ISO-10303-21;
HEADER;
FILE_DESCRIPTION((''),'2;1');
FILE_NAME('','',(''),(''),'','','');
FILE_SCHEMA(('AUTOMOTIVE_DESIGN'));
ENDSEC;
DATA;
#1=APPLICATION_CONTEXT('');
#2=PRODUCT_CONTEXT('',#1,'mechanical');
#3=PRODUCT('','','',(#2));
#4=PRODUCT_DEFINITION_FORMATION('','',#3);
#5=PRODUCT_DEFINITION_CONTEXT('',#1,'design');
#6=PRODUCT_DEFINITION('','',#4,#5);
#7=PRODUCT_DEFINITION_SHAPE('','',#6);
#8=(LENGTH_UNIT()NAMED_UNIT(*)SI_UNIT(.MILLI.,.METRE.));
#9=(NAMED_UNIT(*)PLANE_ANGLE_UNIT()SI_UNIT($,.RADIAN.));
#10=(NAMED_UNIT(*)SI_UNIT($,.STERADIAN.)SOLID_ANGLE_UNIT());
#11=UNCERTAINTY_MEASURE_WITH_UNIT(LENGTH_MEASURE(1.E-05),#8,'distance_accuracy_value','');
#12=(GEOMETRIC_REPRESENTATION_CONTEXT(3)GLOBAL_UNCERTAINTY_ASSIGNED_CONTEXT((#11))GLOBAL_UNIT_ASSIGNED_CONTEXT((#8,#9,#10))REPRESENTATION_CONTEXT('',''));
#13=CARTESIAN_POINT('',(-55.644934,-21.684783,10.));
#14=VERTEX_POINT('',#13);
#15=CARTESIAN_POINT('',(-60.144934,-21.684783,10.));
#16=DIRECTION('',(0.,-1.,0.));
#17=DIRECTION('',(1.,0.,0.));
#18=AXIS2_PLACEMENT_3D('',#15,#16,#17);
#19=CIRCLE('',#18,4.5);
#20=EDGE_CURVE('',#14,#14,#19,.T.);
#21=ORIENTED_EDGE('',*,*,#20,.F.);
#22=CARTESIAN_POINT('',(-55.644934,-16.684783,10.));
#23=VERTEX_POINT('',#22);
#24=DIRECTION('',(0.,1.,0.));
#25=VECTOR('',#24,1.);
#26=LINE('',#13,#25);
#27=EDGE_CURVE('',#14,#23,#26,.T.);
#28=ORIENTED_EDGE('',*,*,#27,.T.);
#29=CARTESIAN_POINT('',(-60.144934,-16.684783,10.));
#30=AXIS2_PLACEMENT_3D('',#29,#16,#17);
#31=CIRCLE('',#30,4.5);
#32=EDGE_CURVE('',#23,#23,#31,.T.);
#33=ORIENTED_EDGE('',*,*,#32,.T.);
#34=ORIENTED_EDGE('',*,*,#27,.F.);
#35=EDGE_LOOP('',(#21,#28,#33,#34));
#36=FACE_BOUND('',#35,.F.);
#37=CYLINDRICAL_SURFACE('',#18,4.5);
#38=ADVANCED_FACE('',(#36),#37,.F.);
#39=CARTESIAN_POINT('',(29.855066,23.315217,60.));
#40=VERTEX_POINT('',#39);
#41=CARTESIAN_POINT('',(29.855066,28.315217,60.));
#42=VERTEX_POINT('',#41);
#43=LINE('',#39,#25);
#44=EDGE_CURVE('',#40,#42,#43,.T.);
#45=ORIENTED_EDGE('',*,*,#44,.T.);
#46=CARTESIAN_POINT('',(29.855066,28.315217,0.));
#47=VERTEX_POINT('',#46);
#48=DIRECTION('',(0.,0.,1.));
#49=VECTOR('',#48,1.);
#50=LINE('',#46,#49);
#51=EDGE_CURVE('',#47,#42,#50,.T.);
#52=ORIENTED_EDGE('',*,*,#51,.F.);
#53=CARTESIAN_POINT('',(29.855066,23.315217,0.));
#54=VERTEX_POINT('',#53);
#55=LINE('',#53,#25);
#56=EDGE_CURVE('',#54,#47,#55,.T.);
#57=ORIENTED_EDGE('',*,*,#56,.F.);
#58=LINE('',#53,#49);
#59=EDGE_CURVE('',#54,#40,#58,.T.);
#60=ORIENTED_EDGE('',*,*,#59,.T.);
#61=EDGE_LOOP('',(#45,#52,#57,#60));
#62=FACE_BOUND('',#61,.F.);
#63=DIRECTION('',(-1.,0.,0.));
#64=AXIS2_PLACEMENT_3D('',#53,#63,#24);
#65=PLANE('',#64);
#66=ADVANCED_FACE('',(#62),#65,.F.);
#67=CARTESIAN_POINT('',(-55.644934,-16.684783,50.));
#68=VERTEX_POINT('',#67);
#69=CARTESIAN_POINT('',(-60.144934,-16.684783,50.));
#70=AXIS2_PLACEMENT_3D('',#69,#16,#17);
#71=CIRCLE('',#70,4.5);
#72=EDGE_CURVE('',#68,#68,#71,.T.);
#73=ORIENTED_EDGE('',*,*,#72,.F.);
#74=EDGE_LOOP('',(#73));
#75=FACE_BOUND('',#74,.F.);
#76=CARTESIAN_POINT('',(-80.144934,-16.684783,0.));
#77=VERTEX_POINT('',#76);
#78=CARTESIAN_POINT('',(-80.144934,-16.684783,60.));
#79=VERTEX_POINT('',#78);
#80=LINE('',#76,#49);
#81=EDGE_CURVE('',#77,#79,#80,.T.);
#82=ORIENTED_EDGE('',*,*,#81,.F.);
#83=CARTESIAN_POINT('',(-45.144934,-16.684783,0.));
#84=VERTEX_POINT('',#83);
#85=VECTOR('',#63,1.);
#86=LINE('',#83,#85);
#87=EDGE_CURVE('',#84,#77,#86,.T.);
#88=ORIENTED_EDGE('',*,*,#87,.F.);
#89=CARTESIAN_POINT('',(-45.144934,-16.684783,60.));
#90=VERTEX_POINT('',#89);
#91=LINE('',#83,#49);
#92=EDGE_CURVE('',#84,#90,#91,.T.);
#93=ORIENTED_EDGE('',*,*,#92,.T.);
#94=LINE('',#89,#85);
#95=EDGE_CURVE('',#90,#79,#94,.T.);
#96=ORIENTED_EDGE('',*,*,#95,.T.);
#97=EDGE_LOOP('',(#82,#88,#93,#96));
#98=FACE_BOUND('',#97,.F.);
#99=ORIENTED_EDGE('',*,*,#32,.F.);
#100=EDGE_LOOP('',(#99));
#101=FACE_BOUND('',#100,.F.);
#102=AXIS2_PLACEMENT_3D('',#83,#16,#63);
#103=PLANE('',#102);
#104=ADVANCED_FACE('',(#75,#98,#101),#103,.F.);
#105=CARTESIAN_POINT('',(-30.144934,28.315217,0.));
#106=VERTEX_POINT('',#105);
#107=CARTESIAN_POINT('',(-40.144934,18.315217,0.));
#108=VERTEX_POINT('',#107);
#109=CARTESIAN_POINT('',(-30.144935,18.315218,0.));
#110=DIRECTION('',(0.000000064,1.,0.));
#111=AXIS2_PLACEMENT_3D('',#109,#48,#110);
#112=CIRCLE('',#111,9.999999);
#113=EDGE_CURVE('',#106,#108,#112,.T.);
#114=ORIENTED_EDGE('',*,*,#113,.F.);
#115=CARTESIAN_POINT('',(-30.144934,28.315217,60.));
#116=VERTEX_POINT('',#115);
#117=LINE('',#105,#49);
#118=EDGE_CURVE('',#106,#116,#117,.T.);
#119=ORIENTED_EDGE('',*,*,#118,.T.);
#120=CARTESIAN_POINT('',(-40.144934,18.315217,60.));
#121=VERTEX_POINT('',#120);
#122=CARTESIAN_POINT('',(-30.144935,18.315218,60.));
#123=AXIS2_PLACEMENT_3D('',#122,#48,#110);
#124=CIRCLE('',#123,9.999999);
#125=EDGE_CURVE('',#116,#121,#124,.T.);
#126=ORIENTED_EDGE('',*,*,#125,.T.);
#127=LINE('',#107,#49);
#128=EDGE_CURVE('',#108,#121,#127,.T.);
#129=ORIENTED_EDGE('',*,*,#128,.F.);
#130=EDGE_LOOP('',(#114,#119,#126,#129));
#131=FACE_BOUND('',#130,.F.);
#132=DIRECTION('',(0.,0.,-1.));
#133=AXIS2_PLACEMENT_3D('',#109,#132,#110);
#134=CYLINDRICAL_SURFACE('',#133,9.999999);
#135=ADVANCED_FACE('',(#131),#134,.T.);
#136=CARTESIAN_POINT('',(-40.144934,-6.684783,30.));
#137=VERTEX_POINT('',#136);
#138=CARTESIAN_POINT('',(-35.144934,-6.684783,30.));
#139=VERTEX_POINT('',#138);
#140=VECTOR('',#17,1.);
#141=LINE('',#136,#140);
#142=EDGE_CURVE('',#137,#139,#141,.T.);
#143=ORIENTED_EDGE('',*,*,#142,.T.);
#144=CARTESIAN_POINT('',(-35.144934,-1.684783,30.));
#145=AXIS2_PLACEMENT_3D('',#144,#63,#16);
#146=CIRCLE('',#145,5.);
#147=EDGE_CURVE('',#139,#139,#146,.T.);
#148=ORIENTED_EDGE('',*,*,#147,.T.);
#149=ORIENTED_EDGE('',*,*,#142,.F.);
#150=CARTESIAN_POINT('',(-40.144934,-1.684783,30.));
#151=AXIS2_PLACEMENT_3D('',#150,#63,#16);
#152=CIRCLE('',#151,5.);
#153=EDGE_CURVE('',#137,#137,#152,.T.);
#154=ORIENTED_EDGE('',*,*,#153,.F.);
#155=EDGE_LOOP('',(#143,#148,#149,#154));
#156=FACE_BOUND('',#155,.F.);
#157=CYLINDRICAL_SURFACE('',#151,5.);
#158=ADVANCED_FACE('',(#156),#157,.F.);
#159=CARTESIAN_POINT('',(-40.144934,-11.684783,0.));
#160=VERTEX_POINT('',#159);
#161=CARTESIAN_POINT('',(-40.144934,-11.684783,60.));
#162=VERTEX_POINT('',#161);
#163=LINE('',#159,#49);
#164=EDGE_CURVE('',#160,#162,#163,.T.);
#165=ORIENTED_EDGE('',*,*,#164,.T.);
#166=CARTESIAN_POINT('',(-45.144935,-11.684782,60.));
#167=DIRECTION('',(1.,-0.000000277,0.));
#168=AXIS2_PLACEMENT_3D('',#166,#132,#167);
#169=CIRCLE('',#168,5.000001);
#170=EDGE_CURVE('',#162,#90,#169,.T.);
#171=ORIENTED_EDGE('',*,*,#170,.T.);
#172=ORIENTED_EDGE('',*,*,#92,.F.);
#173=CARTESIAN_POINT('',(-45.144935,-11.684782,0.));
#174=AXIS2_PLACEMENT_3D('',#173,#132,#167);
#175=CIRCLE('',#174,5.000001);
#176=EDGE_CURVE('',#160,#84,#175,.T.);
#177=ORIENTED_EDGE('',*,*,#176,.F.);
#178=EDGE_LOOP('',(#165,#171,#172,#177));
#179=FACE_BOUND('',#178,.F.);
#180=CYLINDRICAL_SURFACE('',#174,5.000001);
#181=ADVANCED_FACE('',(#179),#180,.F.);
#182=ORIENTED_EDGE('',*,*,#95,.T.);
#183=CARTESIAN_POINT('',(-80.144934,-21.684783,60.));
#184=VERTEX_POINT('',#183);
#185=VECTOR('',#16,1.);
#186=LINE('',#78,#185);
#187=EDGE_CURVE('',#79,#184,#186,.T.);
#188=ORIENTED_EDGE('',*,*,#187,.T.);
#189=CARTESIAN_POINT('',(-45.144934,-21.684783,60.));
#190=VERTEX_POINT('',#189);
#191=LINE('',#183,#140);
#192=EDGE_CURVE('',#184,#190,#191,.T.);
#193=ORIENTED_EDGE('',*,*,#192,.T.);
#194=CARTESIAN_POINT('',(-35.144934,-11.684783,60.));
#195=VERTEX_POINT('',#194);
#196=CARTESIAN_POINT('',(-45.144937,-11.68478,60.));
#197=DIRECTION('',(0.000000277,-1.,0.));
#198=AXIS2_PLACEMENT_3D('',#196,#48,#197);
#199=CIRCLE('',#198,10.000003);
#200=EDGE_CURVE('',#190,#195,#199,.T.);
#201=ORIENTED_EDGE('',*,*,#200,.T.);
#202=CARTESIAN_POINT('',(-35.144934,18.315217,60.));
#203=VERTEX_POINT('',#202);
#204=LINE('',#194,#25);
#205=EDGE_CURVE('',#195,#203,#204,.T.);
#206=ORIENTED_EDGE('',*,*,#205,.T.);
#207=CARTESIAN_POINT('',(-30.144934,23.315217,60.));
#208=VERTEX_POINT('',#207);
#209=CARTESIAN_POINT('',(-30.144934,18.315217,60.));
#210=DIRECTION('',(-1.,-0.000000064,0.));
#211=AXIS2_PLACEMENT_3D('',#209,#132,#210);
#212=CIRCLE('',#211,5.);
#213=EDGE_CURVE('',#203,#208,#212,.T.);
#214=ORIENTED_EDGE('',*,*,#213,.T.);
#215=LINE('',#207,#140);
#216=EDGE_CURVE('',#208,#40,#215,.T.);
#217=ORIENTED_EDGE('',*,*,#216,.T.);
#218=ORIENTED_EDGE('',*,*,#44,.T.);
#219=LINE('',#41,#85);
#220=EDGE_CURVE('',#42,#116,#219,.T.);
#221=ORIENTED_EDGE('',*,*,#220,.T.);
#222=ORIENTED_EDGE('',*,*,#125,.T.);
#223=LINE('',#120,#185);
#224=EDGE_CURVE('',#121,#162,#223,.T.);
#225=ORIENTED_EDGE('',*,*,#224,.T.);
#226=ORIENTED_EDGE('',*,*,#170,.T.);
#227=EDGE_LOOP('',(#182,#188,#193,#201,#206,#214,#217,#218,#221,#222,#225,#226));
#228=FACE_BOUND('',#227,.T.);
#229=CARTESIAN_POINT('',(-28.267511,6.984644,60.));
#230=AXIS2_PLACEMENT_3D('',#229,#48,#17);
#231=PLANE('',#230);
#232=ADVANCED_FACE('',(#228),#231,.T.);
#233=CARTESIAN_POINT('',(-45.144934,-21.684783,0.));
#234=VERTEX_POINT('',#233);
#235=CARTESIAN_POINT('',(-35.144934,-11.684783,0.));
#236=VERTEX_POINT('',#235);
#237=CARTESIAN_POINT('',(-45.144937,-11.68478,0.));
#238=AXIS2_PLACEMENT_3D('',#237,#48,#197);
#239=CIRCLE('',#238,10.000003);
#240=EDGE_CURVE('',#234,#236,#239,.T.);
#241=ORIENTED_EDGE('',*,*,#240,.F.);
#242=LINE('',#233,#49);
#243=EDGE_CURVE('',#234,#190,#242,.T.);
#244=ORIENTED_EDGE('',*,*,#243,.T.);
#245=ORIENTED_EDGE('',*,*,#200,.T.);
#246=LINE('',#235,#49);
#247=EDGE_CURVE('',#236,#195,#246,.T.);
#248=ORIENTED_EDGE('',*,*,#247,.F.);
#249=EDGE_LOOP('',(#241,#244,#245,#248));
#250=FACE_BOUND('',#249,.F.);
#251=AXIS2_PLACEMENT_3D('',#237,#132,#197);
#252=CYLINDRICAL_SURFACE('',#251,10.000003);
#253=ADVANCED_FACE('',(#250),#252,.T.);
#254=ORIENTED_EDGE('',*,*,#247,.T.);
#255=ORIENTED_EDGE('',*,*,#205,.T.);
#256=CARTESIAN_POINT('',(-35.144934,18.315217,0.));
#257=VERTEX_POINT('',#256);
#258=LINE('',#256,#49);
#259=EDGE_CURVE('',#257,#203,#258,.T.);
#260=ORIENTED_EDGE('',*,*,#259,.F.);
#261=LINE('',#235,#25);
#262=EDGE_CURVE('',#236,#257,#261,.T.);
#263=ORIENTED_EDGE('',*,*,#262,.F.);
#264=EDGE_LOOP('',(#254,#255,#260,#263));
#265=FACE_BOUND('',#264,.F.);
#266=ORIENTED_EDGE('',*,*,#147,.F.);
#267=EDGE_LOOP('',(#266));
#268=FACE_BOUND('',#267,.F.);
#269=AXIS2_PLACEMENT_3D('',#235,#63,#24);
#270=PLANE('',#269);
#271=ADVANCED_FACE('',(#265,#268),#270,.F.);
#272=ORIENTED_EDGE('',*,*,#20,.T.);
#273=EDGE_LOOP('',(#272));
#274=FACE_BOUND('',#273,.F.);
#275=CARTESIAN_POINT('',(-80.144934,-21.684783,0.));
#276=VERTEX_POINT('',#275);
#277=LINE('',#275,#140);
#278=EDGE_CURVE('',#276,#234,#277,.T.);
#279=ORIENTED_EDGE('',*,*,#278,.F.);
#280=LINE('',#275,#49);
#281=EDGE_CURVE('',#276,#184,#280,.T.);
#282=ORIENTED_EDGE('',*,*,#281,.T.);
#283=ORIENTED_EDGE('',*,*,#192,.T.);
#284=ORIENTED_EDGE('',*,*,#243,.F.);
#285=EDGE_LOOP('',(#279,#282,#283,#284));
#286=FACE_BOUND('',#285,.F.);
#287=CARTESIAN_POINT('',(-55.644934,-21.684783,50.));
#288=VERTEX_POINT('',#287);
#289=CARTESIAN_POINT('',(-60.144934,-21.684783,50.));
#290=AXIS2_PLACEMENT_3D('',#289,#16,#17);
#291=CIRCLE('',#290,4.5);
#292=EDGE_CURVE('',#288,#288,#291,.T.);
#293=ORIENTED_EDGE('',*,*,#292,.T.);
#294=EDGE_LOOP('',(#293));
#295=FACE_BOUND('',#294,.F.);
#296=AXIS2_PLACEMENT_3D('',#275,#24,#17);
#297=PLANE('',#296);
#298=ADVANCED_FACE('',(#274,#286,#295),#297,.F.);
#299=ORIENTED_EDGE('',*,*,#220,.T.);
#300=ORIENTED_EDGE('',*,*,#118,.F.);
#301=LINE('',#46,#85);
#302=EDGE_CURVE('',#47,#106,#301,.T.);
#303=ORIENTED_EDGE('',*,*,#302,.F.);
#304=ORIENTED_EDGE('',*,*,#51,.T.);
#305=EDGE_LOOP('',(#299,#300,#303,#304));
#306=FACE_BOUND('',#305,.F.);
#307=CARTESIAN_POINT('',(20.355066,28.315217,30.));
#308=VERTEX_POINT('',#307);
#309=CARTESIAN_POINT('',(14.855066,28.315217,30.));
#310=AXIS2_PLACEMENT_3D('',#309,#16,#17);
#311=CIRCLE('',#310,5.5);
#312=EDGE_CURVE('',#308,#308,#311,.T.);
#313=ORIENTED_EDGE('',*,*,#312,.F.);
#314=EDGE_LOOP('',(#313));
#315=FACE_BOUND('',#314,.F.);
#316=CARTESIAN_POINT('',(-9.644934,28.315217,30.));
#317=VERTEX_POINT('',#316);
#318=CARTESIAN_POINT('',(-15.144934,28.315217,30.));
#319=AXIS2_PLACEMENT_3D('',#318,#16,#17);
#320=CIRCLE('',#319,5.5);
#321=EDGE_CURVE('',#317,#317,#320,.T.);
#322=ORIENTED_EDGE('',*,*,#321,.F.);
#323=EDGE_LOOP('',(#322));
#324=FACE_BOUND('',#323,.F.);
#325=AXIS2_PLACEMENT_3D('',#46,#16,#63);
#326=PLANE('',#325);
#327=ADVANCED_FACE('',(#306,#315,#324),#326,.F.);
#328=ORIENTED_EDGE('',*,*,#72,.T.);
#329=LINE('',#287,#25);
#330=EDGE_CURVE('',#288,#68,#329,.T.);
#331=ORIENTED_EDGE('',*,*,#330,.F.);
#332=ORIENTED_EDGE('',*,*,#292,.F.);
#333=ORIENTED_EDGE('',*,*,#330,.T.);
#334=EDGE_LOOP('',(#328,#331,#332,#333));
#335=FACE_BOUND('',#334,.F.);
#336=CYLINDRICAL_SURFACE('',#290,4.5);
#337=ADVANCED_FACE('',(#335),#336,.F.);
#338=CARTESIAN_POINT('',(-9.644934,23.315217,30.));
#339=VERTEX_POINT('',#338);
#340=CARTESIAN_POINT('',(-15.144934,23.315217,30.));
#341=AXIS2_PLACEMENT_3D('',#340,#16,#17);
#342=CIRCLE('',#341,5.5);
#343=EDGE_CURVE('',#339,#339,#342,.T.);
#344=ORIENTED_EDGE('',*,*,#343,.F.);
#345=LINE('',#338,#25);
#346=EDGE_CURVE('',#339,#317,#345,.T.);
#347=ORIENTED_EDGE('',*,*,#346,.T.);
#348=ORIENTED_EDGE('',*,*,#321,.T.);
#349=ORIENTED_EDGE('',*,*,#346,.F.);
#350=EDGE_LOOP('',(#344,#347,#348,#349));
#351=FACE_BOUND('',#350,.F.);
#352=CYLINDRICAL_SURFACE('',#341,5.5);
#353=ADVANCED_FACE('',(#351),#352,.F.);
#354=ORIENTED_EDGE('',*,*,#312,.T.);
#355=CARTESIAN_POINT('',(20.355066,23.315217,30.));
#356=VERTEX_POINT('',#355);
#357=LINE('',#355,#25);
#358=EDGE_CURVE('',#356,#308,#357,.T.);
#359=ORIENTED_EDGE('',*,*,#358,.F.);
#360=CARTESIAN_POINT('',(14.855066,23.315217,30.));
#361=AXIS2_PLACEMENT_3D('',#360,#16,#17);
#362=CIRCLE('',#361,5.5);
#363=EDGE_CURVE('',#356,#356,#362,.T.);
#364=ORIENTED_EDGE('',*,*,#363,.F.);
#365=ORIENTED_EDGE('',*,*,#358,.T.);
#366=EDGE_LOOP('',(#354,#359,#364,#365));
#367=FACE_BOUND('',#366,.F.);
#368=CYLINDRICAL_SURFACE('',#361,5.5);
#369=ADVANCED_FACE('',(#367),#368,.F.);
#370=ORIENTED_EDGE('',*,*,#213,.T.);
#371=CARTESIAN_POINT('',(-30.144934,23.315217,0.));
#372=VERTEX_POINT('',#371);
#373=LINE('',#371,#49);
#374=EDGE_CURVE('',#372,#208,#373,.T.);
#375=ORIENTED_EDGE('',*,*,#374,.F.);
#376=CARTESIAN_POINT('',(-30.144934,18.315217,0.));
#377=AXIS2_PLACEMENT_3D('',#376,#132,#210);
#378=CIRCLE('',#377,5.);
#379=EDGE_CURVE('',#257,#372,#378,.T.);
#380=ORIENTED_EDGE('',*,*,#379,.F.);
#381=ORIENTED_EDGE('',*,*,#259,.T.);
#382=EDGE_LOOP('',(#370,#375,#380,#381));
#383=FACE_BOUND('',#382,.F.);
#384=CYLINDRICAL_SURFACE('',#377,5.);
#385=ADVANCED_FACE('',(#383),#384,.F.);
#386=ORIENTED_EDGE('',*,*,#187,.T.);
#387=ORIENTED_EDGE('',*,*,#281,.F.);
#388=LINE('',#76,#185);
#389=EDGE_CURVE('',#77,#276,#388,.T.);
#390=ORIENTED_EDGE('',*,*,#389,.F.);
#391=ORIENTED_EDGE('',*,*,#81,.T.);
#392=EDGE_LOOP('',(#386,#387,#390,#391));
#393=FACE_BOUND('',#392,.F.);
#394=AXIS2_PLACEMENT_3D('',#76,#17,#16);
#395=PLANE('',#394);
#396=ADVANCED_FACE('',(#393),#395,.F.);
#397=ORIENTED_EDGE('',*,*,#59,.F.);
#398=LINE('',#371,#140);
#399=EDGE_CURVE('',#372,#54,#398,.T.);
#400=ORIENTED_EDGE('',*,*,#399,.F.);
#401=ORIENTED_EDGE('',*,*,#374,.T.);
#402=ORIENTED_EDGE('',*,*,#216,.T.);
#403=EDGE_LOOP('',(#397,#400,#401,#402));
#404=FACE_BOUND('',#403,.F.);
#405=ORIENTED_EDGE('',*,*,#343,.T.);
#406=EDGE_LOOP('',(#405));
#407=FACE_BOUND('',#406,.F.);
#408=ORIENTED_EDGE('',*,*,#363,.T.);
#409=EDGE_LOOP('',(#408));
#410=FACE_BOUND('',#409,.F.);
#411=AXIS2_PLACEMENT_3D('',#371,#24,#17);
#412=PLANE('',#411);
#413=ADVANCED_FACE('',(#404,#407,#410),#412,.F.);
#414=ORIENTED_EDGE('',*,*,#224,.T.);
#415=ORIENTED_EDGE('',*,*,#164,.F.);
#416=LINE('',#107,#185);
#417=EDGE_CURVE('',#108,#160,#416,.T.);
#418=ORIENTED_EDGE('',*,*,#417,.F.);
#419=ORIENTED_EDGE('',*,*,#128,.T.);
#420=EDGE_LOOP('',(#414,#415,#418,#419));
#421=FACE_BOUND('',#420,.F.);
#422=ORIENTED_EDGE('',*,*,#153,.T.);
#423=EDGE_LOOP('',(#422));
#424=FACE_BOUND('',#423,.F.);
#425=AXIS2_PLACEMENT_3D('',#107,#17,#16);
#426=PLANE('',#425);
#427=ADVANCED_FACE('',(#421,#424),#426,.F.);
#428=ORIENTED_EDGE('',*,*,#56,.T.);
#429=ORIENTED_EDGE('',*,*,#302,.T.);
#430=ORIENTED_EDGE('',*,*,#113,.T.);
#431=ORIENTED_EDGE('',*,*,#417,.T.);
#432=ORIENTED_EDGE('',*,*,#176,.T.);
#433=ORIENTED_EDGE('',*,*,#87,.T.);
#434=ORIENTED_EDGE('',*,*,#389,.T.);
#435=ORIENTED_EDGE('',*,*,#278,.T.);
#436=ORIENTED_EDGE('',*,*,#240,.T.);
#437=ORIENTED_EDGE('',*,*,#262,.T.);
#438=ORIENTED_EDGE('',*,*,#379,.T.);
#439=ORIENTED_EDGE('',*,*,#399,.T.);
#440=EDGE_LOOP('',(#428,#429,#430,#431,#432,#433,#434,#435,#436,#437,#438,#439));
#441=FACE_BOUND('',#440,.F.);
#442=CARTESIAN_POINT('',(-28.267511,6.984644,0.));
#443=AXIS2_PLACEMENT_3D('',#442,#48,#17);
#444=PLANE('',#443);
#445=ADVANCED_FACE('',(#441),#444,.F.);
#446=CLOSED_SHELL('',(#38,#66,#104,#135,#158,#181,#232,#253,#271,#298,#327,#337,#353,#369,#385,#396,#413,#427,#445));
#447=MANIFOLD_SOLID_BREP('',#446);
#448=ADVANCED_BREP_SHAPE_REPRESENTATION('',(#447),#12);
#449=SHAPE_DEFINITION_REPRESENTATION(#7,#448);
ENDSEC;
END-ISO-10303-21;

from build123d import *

# Parameters (mm, degrees)
F1_DEPTH = 60
F2_R     = 4.5
F3_DEPTH = 25
F4_R     = 5.5
F5_DEPTH = 25
F6_R     = 5
F7_DEPTH = 25


with BuildPart() as f1:
    # F0 (on Top) → F1 (new body)
    with BuildSketch(Plane.XY):
        with BuildLine():
            Line((-30.144934, 23.315217), (29.855066, 23.315217))
            Line((29.855066, 23.315217), (29.855066, 28.315217))
            Line((29.855066, 28.315217), (-30.144934, 28.315217))
            ThreePointArc((-30.144934, 28.315217), (-37.216002, 25.386285), (-40.144934, 18.315217))
            Line((-40.144934, 18.315217), (-40.144934, -11.684783))
            ThreePointArc((-40.144934, -11.684783), (-41.6094, -15.220316), (-45.144934, -16.684783))
            Line((-45.144934, -16.684783), (-80.144934, -16.684783))
            Line((-80.144934, -16.684783), (-80.144934, -21.684783))
            Line((-80.144934, -21.684783), (-45.144934, -21.684783))
            ThreePointArc((-45.144934, -21.684783), (-38.073867, -18.75585), (-35.144934, -11.684783))
            Line((-35.144934, -11.684783), (-35.144934, 18.315217))
            ThreePointArc((-35.144934, 18.315217), (-33.680468, 21.850751), (-30.144934, 23.315217))
        make_face()
    extrude(amount=F1_DEPTH)

    # F2 (on face) → F3 (cut)
    with BuildSketch(Plane.XZ.offset(21.684783)):
        with Locations((-60.144934, 50)):
            Circle(F2_R)
        with Locations((-60.144934, 10)):
            Circle(F2_R)
    extrude(amount=-F3_DEPTH, mode=Mode.SUBTRACT)

    # F4 (on face) → F5 (cut)
    with BuildSketch(Plane.XZ.offset(-23.315217)):
        with Locations((14.855066, 30)):
            Circle(F4_R)
        with Locations((-15.144934, 30)):
            Circle(F4_R)
    extrude(amount=-F5_DEPTH, mode=Mode.SUBTRACT)

    # F6 (on face) → F7 (cut)
    with BuildSketch(Plane(origin=(-40.144934, 0, 0), x_dir=(0, -1, 0), z_dir=(-1, 0, 0))):
        with Locations((1.684783, 30)):
            Circle(F6_R)
    extrude(amount=-F7_DEPTH, mode=Mode.SUBTRACT)


solid = f1.part
